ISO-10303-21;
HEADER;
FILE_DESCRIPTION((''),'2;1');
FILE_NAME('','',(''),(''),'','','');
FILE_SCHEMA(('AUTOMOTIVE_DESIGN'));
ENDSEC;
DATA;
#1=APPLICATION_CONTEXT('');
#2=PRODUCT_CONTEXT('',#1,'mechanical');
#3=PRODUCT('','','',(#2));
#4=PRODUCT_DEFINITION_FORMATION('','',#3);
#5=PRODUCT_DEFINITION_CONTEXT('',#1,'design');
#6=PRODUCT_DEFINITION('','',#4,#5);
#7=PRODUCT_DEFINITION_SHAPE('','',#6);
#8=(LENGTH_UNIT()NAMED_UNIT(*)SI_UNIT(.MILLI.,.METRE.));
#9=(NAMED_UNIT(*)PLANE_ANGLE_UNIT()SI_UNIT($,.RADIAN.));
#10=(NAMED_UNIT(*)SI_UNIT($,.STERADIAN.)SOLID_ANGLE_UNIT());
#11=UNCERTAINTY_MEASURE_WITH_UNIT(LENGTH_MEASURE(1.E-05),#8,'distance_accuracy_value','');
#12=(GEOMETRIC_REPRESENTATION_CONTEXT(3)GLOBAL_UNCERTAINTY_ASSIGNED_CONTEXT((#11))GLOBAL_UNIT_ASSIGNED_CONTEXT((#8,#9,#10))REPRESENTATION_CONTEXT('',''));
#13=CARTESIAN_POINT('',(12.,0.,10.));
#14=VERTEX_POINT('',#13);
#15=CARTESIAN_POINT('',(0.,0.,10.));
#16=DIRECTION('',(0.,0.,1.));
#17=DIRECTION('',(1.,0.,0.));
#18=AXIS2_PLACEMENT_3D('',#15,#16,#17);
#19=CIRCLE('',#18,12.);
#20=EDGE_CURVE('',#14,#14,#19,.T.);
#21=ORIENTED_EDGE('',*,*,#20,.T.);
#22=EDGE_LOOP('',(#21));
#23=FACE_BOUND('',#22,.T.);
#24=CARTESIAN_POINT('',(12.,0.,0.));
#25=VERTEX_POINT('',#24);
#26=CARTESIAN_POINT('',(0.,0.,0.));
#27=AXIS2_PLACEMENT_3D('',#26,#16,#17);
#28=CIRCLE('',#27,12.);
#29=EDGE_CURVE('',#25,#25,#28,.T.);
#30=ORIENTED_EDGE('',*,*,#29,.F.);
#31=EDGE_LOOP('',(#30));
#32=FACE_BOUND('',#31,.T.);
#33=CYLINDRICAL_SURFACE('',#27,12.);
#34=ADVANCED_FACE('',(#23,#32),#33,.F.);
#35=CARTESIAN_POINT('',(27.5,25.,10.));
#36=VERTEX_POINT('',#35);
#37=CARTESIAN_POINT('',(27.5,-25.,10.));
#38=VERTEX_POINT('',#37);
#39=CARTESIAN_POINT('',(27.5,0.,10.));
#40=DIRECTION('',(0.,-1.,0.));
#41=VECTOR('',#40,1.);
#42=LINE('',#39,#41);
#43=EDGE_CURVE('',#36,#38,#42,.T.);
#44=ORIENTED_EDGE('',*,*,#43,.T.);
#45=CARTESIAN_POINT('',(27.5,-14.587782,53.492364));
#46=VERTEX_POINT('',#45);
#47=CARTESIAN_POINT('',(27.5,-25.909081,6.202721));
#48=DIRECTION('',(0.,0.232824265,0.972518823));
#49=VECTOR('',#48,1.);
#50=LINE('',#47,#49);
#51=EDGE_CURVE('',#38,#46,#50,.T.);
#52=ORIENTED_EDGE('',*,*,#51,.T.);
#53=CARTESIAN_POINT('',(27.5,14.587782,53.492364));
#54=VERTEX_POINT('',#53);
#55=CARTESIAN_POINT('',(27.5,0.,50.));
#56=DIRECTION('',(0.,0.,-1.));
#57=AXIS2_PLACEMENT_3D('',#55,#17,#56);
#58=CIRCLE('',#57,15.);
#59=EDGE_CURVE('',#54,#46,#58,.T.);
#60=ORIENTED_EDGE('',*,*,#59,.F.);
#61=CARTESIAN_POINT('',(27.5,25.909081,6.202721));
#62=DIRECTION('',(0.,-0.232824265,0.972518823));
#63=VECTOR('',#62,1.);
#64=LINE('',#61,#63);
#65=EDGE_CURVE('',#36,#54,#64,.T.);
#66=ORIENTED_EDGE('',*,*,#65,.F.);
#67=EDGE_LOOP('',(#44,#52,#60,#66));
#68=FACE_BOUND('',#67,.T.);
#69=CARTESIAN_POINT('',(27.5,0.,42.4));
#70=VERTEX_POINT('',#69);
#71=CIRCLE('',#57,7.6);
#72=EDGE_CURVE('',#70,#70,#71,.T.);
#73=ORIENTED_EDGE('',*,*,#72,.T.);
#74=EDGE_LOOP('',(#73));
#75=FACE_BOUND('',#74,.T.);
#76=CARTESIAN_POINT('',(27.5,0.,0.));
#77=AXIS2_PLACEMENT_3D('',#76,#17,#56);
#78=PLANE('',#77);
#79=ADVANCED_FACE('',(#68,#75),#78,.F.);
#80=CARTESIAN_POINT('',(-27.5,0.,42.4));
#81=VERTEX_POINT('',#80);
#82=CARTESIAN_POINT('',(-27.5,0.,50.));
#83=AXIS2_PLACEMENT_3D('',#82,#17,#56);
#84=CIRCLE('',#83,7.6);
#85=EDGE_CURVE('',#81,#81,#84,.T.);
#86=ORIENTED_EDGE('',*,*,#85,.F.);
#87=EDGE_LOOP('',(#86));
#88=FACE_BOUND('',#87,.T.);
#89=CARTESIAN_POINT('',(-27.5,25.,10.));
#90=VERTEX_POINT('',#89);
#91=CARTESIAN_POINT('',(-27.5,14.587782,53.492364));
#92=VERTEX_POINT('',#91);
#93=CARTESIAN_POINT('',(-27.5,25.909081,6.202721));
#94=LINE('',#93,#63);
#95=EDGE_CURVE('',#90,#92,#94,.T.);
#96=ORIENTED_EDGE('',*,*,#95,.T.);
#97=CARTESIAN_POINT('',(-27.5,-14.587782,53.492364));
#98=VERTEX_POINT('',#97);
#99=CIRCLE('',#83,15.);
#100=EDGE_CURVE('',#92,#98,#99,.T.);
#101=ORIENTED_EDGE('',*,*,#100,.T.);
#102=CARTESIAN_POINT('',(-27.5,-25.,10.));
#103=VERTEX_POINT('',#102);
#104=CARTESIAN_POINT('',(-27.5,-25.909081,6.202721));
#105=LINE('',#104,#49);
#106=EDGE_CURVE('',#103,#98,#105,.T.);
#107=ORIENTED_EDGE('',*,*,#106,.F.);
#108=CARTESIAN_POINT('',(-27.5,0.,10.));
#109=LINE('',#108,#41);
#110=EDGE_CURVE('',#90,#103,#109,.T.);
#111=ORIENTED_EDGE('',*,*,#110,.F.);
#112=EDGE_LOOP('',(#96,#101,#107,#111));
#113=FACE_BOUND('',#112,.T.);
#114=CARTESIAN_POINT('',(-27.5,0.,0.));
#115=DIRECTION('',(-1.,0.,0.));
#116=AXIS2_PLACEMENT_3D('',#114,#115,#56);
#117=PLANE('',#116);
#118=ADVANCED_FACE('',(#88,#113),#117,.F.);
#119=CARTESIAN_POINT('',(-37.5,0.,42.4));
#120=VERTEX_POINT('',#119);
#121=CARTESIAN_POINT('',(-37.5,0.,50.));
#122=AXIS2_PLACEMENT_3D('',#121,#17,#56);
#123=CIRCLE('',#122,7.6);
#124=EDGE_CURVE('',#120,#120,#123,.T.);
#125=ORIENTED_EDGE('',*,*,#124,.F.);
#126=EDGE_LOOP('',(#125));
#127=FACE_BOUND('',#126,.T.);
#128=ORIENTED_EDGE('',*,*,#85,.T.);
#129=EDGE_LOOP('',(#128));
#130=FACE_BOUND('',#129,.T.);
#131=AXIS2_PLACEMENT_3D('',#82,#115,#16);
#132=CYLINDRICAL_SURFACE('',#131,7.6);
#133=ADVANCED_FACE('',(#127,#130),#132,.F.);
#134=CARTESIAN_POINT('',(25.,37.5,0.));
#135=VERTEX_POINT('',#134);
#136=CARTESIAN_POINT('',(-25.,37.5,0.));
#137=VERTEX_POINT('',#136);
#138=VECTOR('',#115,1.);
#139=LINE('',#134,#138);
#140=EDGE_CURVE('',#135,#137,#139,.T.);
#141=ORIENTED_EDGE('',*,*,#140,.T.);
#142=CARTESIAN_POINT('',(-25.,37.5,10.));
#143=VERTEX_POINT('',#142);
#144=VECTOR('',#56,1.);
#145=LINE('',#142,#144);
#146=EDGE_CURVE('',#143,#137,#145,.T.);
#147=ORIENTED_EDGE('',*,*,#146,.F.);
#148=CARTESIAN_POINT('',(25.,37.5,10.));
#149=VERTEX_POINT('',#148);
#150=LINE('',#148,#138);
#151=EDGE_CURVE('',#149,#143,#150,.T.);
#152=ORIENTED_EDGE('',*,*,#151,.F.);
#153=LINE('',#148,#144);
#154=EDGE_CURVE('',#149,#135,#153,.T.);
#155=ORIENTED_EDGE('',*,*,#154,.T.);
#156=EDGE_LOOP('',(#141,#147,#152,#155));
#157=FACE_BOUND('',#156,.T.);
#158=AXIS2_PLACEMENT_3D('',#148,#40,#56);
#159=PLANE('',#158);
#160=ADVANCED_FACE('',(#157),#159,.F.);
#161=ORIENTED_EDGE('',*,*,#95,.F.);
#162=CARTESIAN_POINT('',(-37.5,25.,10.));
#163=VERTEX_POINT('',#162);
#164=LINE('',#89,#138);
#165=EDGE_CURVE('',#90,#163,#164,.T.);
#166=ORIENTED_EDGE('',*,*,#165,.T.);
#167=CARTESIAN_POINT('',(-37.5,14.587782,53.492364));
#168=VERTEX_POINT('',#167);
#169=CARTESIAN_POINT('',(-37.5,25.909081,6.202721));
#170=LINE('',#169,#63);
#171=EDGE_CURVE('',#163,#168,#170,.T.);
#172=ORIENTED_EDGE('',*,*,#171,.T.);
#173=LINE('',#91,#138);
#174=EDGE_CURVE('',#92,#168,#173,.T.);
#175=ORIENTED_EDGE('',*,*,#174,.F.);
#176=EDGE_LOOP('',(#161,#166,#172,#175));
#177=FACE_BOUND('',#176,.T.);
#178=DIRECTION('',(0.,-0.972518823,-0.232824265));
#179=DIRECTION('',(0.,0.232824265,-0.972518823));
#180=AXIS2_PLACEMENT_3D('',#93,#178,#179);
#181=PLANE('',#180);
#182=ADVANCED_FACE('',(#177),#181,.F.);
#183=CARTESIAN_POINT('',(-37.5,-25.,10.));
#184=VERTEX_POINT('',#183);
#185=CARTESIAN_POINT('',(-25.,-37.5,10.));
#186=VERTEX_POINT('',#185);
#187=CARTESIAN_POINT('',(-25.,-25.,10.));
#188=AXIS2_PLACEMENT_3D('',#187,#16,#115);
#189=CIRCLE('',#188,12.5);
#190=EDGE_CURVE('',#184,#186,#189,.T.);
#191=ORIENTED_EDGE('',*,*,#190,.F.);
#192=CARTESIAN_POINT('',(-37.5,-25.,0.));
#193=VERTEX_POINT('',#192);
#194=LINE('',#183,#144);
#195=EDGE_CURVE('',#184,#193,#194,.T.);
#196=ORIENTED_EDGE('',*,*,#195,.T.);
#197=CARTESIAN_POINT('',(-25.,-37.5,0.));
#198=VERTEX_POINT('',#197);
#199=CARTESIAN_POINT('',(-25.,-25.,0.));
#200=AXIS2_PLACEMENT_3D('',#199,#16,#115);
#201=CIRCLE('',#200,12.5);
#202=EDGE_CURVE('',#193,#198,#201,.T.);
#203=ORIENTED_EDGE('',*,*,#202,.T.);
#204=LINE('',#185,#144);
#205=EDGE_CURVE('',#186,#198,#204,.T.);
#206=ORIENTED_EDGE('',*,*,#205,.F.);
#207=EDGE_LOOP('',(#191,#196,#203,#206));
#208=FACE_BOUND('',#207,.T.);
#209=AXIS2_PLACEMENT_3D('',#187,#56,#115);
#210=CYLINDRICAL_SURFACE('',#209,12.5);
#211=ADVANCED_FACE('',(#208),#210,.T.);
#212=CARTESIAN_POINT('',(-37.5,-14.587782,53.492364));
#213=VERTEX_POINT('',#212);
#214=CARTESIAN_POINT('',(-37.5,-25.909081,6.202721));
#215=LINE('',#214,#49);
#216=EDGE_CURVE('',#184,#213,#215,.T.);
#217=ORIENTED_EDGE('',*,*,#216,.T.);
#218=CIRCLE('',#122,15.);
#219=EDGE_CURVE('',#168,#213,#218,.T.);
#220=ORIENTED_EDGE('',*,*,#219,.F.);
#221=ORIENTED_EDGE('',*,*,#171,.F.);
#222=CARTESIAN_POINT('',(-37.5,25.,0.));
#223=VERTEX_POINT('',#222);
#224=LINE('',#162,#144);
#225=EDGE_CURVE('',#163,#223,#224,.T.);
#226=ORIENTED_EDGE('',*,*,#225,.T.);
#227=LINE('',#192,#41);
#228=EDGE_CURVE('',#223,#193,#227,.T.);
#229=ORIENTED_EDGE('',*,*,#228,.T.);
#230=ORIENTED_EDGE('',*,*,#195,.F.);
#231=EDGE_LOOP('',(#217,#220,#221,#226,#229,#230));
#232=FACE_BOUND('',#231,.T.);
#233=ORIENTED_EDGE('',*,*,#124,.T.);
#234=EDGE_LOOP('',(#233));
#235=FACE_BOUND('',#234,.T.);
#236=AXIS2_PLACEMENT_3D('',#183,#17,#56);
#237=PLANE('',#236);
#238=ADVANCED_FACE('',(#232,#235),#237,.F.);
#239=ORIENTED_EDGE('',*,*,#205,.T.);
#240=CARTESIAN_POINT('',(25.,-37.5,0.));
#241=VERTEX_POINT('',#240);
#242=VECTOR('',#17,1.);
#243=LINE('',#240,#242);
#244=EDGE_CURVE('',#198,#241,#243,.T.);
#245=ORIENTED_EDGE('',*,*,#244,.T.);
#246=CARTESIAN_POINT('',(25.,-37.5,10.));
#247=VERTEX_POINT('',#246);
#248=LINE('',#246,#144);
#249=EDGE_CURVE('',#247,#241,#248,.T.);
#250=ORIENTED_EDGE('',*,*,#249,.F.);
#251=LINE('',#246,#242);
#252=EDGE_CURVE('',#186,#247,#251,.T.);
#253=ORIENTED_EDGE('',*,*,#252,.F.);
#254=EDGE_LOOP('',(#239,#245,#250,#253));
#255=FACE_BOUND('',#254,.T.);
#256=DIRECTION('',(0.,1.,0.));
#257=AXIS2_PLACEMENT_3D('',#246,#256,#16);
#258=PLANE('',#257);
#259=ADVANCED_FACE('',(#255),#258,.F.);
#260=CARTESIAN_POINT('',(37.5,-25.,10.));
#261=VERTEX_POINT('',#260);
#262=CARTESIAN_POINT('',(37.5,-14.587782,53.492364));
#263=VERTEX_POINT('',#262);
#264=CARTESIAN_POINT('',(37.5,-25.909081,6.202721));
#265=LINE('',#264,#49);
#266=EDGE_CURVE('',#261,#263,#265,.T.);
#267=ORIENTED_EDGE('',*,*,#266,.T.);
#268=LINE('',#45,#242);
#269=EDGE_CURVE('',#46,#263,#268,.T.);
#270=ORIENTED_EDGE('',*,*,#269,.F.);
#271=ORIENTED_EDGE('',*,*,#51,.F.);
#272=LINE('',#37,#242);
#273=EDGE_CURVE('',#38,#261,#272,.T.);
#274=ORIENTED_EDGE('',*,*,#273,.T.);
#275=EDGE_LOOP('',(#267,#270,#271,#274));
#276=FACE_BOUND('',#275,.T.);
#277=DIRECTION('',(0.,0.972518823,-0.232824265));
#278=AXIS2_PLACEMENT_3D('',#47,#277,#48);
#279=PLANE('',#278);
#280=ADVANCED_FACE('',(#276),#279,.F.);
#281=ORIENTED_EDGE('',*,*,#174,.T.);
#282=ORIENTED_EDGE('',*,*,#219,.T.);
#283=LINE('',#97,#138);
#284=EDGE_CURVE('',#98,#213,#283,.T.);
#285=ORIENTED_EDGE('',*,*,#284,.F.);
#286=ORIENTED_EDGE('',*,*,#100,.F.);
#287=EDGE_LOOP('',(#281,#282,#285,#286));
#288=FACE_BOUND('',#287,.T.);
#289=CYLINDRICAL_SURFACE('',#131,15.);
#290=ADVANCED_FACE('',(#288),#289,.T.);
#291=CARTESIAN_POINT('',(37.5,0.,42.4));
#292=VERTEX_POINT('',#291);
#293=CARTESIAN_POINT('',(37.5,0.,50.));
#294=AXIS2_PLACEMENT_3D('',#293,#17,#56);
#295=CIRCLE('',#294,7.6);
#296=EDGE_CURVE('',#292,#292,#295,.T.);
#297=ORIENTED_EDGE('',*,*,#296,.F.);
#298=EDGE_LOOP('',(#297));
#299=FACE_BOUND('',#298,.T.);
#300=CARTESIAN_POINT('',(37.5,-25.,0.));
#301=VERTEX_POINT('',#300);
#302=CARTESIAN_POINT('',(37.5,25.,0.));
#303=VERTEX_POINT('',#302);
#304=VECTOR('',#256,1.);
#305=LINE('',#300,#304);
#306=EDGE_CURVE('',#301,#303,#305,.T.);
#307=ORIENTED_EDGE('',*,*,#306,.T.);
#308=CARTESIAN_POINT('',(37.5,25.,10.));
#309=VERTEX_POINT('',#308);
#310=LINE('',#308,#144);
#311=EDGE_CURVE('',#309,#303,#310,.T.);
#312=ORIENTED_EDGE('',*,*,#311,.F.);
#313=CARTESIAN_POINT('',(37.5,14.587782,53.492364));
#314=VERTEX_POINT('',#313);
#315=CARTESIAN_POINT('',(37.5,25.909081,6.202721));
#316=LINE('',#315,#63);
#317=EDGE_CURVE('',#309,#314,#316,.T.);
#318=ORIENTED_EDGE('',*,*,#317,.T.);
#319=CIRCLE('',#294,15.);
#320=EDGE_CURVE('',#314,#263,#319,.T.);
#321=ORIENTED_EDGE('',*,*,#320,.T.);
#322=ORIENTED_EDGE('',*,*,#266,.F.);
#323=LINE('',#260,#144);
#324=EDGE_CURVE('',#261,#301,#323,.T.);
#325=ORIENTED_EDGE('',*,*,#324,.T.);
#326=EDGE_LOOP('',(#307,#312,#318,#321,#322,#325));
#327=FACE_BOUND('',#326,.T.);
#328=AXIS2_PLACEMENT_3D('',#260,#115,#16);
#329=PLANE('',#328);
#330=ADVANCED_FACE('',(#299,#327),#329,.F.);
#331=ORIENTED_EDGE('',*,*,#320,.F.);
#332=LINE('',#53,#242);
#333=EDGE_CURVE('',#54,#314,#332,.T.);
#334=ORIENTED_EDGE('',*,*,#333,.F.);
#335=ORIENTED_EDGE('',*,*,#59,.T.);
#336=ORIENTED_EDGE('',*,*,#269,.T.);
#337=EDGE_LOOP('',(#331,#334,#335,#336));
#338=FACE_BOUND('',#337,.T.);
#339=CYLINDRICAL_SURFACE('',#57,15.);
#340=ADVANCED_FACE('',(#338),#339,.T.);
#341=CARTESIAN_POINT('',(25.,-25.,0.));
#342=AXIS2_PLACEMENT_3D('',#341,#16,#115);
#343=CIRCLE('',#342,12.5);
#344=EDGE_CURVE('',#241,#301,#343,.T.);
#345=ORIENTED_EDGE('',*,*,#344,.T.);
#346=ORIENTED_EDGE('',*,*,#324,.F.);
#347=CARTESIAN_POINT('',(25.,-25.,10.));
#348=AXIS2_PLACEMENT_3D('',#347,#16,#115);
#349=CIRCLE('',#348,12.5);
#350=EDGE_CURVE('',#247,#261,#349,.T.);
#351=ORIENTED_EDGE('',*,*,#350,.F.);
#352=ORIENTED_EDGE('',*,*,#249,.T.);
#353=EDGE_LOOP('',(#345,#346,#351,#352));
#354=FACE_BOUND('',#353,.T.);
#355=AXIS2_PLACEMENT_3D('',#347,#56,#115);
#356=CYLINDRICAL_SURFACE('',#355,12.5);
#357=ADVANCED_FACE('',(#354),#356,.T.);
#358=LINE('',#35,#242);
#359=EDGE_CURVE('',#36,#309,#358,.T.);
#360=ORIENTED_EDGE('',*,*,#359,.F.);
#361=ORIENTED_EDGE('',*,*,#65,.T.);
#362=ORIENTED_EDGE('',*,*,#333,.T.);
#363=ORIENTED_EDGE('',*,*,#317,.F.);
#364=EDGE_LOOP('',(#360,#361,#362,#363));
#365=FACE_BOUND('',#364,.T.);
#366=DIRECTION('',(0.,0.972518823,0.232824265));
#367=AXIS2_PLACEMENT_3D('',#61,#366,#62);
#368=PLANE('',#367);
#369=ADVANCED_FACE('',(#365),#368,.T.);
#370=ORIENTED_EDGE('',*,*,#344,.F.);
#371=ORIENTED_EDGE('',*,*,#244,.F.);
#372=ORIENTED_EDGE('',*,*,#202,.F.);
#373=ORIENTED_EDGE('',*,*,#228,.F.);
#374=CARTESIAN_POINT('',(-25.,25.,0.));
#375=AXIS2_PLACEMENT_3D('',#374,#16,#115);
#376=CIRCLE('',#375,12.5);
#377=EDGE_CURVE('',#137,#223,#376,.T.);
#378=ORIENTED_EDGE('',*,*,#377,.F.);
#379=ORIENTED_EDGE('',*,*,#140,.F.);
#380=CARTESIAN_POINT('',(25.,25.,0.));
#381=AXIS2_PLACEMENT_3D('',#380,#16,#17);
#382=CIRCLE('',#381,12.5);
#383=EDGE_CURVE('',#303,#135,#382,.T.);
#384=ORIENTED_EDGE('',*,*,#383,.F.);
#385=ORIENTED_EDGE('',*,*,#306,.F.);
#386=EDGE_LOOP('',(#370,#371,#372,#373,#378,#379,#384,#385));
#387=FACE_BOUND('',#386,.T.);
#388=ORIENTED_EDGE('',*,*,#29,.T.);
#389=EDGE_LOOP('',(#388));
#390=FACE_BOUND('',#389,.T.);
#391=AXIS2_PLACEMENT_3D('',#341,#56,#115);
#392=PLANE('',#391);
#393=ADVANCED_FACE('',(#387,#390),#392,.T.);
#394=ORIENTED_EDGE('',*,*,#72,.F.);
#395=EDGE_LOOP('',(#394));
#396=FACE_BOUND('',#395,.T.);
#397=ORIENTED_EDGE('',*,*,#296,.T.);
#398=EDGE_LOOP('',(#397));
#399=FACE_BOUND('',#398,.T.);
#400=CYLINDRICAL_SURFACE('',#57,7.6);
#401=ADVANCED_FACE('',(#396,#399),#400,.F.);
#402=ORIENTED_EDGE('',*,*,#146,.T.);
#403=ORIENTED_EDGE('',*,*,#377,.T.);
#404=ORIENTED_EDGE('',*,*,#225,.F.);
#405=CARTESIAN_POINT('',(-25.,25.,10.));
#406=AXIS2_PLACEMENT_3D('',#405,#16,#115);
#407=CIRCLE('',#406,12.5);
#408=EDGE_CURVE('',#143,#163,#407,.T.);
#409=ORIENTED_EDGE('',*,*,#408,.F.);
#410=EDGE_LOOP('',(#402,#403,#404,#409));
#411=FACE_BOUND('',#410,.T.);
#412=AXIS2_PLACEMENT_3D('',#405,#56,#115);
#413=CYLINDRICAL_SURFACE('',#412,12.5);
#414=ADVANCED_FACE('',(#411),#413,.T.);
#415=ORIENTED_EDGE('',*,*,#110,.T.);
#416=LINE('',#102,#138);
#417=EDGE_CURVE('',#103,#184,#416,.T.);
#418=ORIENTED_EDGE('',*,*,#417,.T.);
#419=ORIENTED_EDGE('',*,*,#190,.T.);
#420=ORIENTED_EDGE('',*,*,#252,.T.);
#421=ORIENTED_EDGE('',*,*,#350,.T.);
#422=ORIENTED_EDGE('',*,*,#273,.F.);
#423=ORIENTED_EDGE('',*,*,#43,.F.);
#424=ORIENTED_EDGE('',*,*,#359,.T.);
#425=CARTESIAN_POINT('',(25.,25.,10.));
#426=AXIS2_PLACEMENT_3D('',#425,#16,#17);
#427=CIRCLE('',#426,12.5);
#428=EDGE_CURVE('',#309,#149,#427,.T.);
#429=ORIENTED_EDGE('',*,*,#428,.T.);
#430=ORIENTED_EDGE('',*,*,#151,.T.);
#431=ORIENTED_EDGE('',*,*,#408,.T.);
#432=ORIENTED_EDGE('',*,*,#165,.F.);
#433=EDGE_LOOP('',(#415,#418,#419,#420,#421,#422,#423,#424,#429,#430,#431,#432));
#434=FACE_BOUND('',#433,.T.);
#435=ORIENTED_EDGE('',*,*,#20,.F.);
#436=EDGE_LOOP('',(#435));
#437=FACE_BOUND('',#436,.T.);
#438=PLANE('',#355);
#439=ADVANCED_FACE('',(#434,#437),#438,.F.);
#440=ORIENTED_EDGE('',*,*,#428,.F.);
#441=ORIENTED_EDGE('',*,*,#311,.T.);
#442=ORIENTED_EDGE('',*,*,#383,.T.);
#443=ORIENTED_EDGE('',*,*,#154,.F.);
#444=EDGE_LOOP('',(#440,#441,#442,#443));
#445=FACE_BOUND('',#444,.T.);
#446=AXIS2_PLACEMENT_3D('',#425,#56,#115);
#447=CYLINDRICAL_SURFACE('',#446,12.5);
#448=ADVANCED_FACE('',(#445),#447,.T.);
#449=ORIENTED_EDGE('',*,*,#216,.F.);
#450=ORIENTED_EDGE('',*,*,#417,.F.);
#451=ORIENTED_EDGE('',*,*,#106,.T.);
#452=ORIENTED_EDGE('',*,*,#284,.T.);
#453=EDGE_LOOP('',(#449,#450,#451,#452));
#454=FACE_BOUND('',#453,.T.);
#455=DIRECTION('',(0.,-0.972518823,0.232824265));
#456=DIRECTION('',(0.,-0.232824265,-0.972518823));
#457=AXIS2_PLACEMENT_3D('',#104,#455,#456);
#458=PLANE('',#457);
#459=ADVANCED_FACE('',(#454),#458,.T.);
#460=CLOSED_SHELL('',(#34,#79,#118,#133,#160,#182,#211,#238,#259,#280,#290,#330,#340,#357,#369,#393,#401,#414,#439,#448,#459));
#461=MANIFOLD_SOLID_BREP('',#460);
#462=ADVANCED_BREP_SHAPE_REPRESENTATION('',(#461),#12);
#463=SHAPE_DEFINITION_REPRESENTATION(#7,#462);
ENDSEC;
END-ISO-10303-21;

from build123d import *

# Parameters (mm, degrees)
BOSS_EXTRUDE1_DEPTH = 10
SKETCH2_R           = 7.6
BOSS_EXTRUDE2_DEPTH = 10
SKETCH4_R           = 12
CUT_EXTRUDE2_DEPTH  = 77.40353395


with BuildPart() as part:
    # Sketch1 → Boss-Extrude1 (new body)
    with BuildSketch(Plane(origin=(0, 0, 0), x_dir=(0, 1, 0), z_dir=(0, 0, 1))):
        with BuildLine():
            Line((-25, -37.5), (25, -37.5))
            ThreePointArc((25, -37.5), (33.838834765, -33.838834765), (37.5, -25))
            Line((37.5, -25), (37.5, 25))
            ThreePointArc((37.5, 25), (33.838834765, 33.838834765), (25, 37.5))
            Line((25, 37.5), (-25, 37.5))
            ThreePointArc((-25, 37.5), (-33.838834765, 33.838834765), (-37.5, 25))
            Line((-37.5, 25), (-37.5, -25))
            ThreePointArc((-37.5, -25), (-33.838834765, -33.838834765), (-25, -37.5))
        make_face()
    extrude(amount=BOSS_EXTRUDE1_DEPTH)

    # Sketch2 → Boss-Extrude2 (add)
    with BuildSketch(Plane.YZ.offset(37.5)):
        with BuildLine():
            ThreePointArc((14.587782351, 53.492363969), (0, 65), (-14.587782351, 53.492363969))
            Line((-14.587782351, 53.492363969), (-25, 10))
            Line((-25, 10), (25, 10))
            Line((25, 10), (14.587782351, 53.492363969))
        make_face()
        with Locations(Location((0, 50, 0), (0, 0, 270))):
            Circle(SKETCH2_R, mode=Mode.SUBTRACT)
    boss_extrude2 = extrude(amount=-BOSS_EXTRUDE2_DEPTH)

    # Mirror1: Boss-Extrude2 across plane
    add(boss_extrude2.mirror(Plane(origin=(0, 0, 0), x_dir=(0, 0, 1), z_dir=(1, 0, 0))))

    # Sketch4 → Cut-Extrude2 (cut, through all)
    with BuildSketch(Plane.XY.offset(10)):
        Circle(SKETCH4_R)
    extrude(amount=-CUT_EXTRUDE2_DEPTH, mode=Mode.SUBTRACT)


solid = part.part
